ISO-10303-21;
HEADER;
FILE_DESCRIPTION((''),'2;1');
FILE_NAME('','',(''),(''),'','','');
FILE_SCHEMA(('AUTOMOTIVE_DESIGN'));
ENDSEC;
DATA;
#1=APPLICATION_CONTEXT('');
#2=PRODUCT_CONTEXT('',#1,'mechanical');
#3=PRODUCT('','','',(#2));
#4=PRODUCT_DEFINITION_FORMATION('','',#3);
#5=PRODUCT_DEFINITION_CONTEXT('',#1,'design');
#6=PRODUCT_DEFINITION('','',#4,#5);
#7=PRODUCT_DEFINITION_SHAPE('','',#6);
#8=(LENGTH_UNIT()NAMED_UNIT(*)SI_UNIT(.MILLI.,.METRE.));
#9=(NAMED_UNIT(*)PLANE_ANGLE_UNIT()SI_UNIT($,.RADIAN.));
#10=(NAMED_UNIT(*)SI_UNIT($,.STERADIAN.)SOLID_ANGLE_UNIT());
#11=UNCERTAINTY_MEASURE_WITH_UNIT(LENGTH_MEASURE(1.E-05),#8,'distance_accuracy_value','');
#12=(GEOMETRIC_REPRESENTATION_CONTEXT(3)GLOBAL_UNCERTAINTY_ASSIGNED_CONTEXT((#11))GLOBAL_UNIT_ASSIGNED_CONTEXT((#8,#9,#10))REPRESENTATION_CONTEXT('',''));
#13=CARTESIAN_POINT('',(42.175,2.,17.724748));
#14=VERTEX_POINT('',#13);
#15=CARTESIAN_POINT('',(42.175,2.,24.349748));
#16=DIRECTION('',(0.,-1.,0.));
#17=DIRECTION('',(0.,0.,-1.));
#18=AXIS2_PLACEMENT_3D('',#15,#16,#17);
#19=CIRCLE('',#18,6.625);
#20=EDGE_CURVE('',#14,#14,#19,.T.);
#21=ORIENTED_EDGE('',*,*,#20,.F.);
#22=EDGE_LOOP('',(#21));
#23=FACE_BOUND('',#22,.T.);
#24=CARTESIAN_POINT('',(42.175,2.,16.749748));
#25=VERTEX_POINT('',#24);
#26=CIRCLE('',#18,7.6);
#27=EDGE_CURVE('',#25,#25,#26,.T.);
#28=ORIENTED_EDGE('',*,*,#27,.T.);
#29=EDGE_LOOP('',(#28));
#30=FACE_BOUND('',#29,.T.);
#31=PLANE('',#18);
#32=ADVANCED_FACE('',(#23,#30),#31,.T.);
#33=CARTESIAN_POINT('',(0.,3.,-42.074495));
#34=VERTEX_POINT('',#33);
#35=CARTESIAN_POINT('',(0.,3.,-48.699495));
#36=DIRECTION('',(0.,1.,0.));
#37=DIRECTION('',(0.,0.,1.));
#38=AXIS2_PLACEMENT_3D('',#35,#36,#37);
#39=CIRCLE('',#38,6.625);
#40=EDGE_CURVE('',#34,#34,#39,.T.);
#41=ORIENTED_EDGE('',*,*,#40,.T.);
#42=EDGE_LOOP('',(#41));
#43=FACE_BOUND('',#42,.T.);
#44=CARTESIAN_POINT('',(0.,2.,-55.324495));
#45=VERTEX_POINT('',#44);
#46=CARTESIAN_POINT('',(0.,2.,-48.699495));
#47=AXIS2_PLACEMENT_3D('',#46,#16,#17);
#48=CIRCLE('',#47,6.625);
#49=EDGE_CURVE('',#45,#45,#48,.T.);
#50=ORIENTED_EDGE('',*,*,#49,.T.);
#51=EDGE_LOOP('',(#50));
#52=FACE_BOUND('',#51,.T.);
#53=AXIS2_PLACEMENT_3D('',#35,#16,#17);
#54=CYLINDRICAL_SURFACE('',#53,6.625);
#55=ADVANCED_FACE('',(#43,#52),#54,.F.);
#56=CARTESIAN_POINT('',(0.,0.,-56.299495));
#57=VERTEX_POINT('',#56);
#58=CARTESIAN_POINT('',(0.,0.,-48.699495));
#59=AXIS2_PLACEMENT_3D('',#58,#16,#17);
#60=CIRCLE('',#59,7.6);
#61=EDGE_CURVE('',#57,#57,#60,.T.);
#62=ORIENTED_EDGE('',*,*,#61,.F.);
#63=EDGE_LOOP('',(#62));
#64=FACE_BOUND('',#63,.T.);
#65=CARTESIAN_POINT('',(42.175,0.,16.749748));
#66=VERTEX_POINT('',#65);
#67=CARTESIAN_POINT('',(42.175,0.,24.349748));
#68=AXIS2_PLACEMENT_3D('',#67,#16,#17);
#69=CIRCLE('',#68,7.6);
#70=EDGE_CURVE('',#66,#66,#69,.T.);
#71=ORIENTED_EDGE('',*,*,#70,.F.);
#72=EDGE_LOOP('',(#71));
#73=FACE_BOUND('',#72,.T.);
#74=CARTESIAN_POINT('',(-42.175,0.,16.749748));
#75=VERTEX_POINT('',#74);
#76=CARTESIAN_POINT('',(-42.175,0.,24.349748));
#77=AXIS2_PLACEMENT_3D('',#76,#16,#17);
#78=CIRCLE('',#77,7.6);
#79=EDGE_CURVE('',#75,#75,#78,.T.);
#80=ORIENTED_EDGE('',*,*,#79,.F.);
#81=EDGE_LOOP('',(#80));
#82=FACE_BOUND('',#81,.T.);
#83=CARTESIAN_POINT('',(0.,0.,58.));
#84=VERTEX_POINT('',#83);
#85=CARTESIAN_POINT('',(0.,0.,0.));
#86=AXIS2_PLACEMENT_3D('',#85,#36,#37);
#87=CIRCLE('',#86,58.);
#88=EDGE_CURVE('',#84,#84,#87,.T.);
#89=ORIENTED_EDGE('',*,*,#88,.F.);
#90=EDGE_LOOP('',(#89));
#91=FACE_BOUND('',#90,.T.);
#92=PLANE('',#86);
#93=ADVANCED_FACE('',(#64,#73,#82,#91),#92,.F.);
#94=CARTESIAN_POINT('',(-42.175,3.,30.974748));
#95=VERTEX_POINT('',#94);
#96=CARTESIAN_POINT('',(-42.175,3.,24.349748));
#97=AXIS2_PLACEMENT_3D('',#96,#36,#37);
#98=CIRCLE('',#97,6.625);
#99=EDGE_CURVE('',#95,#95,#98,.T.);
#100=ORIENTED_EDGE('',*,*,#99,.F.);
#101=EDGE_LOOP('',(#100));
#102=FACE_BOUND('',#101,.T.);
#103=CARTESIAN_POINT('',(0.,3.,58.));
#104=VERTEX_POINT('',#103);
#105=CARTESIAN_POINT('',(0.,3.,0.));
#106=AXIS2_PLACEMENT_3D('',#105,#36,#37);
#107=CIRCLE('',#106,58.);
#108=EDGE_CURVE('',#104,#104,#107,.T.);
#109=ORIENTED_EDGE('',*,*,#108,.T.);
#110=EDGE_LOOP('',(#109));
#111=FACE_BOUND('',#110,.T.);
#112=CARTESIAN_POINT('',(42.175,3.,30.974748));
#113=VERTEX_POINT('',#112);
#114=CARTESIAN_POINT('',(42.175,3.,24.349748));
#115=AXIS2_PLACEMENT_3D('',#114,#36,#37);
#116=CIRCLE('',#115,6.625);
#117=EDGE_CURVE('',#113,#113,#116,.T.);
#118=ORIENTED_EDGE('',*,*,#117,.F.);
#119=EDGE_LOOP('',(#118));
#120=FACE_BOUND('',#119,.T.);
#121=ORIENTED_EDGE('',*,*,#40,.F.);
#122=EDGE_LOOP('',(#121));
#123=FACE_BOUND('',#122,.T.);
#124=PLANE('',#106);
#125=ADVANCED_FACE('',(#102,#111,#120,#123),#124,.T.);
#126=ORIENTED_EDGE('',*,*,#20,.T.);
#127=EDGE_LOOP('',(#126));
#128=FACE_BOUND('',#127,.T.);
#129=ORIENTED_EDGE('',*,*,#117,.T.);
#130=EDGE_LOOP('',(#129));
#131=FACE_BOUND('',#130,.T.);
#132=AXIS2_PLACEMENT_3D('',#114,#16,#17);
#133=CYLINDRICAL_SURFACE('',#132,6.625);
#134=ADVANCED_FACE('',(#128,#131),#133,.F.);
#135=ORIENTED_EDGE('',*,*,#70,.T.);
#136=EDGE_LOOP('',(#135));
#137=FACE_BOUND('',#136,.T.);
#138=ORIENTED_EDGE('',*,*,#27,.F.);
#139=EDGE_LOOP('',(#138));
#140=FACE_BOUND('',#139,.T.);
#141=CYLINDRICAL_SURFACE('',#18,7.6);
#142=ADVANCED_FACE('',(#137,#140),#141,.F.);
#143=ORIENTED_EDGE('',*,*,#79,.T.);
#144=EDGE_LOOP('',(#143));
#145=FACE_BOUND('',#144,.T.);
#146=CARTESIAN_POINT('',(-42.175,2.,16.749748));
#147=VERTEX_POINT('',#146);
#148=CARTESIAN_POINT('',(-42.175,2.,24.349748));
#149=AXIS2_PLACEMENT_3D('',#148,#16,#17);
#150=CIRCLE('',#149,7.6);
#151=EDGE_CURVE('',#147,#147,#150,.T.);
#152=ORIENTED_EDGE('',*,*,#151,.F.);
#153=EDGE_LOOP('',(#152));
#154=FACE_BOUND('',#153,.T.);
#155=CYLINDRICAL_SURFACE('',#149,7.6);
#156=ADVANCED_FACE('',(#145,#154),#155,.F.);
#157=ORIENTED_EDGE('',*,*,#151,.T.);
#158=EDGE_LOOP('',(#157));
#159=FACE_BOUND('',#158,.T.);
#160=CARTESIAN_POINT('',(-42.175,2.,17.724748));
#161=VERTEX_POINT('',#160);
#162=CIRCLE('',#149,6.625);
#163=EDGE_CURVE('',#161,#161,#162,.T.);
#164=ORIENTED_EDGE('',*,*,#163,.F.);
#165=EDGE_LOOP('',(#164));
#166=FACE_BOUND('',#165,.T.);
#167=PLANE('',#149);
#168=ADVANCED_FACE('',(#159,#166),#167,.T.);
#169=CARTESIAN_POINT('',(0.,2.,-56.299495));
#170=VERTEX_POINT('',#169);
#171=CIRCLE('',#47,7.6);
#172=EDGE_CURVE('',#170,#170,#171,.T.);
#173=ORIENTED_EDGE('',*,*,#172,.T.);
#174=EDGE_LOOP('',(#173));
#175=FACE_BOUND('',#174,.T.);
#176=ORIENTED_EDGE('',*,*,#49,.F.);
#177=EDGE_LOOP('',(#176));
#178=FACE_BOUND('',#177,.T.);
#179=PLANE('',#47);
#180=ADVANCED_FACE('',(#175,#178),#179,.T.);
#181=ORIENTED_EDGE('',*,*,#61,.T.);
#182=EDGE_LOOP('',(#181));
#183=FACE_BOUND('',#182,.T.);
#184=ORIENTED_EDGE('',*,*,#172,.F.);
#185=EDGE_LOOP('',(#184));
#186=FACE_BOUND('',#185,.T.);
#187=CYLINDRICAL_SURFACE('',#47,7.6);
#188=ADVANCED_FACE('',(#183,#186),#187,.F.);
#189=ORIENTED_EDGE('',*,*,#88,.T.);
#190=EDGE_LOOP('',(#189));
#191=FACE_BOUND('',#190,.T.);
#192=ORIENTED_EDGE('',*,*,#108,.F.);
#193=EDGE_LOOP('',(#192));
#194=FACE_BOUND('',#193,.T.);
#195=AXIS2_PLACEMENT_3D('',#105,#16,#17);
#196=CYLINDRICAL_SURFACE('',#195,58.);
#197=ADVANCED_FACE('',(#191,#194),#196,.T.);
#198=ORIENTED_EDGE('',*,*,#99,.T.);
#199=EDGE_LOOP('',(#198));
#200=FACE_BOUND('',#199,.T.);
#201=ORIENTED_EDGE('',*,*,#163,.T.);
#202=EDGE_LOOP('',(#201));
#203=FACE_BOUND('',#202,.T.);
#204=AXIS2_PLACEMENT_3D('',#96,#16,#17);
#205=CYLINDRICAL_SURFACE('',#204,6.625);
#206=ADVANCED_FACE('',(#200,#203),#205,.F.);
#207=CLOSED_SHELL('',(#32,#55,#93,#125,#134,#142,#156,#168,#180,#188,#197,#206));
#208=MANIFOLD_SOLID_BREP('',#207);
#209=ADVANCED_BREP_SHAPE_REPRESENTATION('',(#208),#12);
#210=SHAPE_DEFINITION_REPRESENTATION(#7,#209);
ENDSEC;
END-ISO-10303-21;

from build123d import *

# Parameters (mm, degrees)
SKETCH1_R           = 58
SKETCH1_R_2         = 6.625
BOSS_EXTRUDE1_DEPTH = 3
SKETCH2_R           = 7.6
CUT_EXTRUDE1_DEPTH  = 2


with BuildPart() as part:
    # Sketch1 → Boss-Extrude1 (new body)
    with BuildSketch(Plane(origin=(0, 0, 0), x_dir=(1, 0, 0), z_dir=(0, 1, 0))):
        Circle(SKETCH1_R)
        with Locations((0, 48.699495206)):
            Circle(SKETCH1_R_2, mode=Mode.SUBTRACT)
        with Locations((42.175, -24.349747603)):
            Circle(SKETCH1_R_2, mode=Mode.SUBTRACT)
        with Locations((-42.175, -24.349747603)):
            Circle(SKETCH1_R_2, mode=Mode.SUBTRACT)
    extrude(amount=BOSS_EXTRUDE1_DEPTH)

    # Sketch2 → Cut-Extrude1 (cut)
    with BuildSketch(Plane.XZ):
        with Locations((42.175, 24.349747603)):
            Circle(SKETCH2_R)
        with Locations((-42.175, 24.349747603)):
            Circle(SKETCH2_R)
        with Locations((0, -48.699495206)):
            Circle(SKETCH2_R)
    extrude(amount=-CUT_EXTRUDE1_DEPTH, mode=Mode.SUBTRACT)


solid = part.part
